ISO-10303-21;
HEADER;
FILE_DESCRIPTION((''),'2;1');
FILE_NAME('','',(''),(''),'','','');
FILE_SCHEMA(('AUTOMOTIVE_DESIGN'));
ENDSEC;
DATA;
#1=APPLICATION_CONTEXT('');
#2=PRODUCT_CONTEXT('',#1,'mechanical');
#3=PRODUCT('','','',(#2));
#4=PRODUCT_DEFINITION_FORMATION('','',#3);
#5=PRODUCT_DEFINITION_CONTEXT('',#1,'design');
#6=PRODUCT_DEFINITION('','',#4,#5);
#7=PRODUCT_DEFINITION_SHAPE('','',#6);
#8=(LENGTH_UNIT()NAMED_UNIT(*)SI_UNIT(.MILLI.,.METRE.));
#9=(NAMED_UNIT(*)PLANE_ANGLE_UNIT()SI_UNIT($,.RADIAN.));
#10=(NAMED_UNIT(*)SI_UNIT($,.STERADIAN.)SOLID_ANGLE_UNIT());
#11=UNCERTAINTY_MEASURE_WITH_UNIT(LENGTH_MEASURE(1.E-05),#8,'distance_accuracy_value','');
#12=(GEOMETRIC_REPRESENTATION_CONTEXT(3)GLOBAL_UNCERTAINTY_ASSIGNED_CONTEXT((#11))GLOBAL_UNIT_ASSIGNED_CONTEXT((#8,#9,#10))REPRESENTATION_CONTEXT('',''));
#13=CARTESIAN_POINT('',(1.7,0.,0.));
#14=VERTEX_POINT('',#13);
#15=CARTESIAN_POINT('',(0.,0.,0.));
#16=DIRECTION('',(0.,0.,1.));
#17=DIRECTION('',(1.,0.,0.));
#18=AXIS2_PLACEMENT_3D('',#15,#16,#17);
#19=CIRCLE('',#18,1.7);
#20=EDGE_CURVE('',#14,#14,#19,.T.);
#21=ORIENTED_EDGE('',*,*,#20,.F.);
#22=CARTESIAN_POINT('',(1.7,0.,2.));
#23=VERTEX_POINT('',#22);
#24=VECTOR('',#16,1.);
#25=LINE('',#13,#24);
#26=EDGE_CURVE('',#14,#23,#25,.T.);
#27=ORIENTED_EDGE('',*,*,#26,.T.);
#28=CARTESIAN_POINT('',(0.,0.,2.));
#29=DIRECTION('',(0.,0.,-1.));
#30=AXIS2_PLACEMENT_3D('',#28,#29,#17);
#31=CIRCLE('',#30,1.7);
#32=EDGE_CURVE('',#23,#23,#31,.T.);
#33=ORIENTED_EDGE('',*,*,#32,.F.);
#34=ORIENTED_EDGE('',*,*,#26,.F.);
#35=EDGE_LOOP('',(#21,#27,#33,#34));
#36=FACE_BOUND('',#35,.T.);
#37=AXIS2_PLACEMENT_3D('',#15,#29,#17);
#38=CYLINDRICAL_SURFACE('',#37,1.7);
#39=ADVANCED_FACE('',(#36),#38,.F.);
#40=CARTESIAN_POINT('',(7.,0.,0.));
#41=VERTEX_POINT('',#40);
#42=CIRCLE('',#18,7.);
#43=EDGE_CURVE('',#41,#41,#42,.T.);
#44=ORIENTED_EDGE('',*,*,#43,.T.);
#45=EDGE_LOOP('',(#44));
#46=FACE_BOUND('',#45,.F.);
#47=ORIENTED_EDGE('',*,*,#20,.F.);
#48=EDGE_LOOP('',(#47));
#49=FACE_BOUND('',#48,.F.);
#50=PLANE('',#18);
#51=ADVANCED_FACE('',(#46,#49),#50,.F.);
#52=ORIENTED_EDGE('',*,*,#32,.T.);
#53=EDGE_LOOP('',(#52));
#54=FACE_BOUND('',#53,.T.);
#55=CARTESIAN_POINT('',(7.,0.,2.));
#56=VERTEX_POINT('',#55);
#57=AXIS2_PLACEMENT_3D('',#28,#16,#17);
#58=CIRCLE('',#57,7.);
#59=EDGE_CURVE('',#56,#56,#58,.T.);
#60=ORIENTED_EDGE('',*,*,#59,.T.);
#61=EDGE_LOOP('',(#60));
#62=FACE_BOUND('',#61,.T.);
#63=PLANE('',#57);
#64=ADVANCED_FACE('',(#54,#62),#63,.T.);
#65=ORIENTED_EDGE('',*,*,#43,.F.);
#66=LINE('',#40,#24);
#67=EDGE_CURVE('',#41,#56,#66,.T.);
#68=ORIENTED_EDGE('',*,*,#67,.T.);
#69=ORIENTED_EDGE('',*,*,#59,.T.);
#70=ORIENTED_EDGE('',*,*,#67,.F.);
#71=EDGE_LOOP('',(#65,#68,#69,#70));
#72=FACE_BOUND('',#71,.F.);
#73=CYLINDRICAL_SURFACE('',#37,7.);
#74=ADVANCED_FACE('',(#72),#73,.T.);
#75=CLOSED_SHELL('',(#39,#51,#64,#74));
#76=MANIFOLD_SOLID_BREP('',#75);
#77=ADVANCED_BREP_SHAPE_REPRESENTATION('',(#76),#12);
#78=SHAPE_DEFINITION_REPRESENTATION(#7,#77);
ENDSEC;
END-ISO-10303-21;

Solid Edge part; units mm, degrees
sketch "Sketch1" plane through (0, 0, 0) normal (0, 0, 1) x (1, 0, 0)
  circle A0 centre (0, 0) radius 7
extrude "Protrusion1" add sketch "Sketch1" along normal blind 2
sketch "Sketch2" plane through (0, 0, 0) normal (0, 0, 1) x (1, 0, 0)
  circle A0 centre (0, 0) radius 1.7
extrude "ExtrudedCutout_1" cut sketch "Sketch2" along normal mid plane 22.284
